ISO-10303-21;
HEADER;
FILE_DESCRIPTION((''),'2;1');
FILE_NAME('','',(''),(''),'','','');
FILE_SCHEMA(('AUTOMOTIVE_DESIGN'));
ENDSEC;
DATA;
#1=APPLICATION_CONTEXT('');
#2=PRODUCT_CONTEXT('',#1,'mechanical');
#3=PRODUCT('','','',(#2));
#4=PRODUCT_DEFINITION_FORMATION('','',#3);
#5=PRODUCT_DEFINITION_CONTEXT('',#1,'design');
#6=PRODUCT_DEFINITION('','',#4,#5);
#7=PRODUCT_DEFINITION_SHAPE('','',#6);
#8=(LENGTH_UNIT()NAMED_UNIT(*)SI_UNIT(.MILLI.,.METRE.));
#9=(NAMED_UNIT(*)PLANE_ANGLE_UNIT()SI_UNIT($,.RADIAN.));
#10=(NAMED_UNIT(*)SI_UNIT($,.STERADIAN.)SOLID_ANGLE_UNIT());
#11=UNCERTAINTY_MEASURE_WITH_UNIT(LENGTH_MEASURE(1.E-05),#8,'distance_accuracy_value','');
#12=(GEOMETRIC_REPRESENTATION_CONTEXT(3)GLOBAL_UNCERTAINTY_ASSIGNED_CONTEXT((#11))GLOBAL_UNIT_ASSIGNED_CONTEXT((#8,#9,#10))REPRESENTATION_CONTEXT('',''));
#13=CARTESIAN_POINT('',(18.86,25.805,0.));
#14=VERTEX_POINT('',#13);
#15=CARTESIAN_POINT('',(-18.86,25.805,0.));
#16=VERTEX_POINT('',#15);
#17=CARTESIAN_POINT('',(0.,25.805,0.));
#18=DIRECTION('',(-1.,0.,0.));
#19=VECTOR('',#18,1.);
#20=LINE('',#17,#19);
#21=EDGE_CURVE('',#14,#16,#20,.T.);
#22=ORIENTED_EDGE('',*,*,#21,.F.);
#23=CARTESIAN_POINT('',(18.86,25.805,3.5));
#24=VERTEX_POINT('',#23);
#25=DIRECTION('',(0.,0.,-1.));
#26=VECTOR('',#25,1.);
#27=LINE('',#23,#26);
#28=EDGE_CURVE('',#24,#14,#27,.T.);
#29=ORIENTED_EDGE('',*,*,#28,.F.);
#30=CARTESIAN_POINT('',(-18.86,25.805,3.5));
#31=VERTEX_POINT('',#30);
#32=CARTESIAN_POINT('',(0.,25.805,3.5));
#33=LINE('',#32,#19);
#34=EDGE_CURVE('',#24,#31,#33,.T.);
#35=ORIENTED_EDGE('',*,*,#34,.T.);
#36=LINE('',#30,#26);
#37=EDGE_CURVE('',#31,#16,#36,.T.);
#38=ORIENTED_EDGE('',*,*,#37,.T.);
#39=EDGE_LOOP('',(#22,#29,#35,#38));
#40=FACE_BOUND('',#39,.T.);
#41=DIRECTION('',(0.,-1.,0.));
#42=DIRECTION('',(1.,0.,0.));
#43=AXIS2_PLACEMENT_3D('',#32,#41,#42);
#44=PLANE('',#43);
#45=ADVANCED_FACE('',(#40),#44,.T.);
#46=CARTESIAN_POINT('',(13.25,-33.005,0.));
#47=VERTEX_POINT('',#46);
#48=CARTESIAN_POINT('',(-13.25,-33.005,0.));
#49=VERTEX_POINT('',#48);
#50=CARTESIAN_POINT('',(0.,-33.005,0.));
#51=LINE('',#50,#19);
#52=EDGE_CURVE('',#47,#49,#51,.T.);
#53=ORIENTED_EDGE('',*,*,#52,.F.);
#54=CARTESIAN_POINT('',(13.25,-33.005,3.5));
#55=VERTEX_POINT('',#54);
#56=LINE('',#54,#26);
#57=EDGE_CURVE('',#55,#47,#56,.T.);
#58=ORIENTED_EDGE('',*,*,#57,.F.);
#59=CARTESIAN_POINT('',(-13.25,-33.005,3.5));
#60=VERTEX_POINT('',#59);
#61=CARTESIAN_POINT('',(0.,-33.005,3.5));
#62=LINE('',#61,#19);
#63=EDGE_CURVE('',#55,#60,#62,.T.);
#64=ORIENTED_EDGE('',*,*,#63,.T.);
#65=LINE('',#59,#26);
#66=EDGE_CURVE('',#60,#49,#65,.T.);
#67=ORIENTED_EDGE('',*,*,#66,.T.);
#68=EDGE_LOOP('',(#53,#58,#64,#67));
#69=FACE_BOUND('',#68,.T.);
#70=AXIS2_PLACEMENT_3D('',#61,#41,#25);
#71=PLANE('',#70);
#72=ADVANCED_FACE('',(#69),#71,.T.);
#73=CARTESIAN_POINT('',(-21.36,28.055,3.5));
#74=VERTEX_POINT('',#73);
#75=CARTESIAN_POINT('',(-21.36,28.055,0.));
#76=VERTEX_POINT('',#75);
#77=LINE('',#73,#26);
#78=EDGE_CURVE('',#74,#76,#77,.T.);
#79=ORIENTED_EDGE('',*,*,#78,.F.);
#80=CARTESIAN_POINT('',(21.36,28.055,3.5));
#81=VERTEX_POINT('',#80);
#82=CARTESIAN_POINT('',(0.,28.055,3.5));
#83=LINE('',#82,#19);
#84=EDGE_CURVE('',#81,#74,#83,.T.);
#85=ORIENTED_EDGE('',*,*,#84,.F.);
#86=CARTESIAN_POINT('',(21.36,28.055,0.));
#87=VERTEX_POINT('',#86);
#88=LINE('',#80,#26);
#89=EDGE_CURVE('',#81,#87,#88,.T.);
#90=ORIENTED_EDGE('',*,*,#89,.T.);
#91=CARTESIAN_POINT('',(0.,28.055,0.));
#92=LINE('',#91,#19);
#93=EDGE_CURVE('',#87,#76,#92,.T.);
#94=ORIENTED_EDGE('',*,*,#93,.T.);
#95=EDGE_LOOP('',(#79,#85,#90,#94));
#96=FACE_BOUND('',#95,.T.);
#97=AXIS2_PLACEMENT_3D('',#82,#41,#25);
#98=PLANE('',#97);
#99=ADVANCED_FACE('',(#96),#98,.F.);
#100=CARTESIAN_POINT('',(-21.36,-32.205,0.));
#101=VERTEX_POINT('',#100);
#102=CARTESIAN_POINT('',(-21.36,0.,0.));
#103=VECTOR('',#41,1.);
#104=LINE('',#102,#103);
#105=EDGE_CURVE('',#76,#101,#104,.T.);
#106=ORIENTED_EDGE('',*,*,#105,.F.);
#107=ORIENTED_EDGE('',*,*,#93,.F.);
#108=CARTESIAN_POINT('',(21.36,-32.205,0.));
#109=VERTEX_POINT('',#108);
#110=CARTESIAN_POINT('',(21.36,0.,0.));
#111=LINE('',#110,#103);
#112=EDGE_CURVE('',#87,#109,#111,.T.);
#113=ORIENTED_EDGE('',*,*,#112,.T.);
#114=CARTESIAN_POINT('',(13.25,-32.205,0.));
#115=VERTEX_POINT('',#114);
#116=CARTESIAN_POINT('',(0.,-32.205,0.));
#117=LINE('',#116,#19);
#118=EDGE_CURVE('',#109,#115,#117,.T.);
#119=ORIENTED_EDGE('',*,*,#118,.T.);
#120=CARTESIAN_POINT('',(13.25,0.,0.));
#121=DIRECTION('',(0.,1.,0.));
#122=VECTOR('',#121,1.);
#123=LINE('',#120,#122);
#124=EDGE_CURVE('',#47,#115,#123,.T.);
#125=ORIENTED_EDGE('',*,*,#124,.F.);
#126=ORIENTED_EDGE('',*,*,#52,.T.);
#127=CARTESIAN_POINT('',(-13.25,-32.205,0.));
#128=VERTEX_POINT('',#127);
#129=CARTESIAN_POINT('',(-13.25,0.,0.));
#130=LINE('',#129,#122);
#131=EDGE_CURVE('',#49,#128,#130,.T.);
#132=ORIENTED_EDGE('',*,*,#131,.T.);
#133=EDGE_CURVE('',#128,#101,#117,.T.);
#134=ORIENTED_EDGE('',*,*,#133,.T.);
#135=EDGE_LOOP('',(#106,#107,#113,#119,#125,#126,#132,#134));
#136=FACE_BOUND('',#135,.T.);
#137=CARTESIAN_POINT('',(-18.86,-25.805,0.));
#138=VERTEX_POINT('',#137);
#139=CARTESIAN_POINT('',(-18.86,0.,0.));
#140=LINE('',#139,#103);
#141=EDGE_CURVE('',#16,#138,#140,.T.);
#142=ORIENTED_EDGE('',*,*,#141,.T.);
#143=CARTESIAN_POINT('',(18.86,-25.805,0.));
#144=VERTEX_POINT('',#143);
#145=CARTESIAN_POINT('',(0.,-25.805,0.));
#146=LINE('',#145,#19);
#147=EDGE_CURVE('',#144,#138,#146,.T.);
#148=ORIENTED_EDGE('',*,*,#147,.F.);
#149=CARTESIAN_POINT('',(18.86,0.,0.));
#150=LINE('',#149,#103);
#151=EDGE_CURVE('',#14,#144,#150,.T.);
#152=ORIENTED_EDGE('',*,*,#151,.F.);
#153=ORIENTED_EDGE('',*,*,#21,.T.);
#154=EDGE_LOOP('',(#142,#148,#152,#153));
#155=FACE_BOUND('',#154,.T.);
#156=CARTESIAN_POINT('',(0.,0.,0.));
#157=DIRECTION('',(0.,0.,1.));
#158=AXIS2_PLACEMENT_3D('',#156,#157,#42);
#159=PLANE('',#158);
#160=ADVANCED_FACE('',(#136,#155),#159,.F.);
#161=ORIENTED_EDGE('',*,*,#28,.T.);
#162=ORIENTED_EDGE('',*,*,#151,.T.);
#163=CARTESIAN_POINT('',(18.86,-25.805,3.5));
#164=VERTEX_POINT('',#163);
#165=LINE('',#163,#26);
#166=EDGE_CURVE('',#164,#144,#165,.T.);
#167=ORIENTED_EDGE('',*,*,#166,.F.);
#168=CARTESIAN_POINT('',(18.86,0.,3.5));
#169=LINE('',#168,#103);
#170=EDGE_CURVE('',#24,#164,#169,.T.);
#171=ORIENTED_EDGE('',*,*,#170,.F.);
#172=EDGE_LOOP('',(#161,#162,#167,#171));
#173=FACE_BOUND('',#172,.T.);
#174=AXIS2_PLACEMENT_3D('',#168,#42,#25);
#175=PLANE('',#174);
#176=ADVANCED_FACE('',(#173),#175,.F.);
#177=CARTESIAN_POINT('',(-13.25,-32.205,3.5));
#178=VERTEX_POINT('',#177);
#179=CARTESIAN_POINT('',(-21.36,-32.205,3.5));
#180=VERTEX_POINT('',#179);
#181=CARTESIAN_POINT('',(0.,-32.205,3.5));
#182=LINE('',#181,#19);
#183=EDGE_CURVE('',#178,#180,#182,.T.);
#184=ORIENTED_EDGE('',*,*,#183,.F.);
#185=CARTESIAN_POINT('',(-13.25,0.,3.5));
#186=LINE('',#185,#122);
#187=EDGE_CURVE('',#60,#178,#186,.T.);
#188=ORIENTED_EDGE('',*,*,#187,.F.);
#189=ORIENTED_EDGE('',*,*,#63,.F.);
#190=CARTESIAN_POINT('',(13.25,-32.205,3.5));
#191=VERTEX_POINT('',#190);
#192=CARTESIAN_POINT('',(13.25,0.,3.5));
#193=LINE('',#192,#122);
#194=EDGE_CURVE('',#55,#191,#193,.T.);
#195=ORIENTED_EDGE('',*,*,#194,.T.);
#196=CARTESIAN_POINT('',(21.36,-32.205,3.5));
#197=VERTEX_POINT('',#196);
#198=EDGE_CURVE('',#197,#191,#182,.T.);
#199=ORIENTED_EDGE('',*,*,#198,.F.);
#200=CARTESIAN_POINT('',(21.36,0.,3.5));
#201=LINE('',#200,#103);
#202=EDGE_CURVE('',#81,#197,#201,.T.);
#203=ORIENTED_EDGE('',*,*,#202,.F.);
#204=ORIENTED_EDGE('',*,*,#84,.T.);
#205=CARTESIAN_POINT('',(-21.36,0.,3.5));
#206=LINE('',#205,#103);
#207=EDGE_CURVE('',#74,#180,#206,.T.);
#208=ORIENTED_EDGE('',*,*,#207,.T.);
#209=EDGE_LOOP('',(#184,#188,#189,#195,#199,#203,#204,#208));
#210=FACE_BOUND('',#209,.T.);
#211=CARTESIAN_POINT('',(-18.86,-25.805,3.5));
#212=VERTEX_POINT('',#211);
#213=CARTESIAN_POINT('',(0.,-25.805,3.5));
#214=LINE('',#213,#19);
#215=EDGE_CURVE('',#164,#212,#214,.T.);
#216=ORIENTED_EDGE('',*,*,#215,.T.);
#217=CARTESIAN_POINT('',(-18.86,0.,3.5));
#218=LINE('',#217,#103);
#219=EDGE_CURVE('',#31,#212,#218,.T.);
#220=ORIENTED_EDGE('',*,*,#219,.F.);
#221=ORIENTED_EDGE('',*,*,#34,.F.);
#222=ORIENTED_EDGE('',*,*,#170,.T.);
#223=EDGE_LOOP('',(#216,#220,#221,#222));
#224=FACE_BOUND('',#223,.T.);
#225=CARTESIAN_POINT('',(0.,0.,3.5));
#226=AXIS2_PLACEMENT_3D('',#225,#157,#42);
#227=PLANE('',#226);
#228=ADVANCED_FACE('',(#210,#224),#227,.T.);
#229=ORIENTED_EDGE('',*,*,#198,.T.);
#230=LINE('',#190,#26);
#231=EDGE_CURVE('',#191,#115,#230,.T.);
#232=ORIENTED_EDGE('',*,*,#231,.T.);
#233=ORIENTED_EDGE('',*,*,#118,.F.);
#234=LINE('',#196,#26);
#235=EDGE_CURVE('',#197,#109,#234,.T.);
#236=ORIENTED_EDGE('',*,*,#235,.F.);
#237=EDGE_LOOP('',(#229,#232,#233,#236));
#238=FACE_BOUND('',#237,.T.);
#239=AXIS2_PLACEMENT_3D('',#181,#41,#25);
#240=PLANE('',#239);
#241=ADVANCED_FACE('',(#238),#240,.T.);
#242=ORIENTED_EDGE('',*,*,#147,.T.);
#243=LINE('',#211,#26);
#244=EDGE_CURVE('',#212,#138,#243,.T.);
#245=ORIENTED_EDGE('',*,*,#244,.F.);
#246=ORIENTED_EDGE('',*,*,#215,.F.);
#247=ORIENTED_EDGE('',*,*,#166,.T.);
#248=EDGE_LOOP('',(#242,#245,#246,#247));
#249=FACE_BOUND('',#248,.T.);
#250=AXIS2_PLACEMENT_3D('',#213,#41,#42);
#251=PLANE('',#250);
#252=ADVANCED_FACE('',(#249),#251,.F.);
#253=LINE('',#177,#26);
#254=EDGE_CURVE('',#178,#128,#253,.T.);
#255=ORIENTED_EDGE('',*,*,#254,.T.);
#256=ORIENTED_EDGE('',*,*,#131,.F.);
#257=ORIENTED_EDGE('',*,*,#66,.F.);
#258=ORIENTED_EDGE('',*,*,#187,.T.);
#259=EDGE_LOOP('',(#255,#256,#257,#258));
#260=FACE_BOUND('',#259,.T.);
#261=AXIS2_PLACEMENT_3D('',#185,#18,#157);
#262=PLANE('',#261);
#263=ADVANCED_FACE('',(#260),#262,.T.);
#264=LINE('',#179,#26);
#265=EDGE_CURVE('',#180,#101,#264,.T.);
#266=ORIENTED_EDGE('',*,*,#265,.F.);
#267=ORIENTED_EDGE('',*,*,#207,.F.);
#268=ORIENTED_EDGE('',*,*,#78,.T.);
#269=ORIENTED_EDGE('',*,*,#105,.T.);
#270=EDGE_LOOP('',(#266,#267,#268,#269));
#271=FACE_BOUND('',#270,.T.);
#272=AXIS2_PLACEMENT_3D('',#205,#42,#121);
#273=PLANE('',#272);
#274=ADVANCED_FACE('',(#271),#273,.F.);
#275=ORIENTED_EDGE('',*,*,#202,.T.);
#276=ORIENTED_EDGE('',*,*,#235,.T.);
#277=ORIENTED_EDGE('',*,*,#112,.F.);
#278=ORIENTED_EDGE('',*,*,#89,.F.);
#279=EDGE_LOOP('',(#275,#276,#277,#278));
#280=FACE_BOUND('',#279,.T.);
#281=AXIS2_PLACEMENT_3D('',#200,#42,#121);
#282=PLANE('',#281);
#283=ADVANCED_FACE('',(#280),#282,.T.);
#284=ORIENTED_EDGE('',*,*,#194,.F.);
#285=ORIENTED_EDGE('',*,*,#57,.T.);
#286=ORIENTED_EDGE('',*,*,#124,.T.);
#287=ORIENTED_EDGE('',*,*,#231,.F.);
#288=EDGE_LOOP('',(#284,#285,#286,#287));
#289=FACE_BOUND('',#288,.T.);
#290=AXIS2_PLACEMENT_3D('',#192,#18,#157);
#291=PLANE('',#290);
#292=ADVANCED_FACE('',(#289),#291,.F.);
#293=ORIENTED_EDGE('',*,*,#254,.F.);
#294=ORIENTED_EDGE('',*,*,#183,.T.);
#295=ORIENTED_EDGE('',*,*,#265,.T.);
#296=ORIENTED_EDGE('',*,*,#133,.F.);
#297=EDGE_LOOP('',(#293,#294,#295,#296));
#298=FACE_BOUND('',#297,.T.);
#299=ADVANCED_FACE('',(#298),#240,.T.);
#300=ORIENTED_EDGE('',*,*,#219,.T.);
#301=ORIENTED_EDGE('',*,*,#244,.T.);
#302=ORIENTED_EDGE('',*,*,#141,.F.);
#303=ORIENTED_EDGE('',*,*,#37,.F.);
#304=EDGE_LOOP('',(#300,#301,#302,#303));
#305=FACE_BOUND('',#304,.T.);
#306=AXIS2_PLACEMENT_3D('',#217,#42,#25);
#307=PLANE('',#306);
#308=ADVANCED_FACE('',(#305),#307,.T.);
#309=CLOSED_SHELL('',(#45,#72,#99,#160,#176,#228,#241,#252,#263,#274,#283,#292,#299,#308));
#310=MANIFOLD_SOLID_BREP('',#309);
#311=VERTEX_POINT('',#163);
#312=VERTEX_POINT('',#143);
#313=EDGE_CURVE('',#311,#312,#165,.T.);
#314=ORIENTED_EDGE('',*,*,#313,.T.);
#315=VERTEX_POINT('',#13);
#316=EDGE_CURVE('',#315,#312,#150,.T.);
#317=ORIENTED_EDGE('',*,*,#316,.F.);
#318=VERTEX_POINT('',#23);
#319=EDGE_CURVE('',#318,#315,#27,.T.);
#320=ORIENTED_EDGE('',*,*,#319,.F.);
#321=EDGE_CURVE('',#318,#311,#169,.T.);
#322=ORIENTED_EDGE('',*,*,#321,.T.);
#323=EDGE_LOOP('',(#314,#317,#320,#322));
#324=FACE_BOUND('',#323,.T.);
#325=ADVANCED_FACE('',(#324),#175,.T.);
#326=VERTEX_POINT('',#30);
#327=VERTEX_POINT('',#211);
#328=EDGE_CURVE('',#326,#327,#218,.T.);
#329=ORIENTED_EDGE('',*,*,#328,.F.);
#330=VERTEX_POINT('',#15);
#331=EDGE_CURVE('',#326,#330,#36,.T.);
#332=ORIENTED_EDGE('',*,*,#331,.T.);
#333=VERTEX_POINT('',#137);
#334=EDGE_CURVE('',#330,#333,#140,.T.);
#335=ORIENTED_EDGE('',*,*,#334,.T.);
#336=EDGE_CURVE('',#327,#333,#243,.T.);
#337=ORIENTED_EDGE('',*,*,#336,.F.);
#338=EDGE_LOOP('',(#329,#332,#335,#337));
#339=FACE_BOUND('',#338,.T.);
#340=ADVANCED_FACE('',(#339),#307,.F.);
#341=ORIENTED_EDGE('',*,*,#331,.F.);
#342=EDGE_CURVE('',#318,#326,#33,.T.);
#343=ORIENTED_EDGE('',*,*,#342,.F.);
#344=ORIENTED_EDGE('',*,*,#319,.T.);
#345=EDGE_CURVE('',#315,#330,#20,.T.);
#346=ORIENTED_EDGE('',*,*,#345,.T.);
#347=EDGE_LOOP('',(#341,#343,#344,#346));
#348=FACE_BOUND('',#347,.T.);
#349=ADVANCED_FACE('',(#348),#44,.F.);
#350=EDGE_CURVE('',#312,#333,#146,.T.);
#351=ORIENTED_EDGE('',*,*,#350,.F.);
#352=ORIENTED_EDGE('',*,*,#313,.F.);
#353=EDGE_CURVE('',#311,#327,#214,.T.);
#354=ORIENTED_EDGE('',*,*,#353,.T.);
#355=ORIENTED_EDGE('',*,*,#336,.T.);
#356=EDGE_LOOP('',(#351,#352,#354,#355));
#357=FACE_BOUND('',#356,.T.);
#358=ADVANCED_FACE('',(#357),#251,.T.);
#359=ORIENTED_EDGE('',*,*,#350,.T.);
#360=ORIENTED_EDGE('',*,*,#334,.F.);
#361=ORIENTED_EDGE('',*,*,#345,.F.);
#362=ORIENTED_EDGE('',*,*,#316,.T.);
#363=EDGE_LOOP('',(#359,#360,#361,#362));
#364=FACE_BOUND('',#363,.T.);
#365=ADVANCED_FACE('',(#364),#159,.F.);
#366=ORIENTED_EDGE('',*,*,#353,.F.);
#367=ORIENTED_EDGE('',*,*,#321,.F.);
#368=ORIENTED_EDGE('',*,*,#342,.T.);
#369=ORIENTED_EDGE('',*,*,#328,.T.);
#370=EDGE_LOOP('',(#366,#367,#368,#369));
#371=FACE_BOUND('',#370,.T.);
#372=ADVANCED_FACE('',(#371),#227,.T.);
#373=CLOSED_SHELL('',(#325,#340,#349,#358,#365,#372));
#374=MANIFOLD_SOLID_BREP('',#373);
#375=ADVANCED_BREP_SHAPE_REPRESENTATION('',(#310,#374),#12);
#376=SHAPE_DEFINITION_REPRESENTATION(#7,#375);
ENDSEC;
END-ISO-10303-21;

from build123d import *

# Parameters (mm, degrees)
SKETCH1_W           = 42.72
SKETCH1_H           = 60.26
SKETCH1_W_2         = 37.72
SKETCH1_H_2         = 51.61
SKETCH1_W_3         = 26.5
SKETCH1_H_3         = 0.8
BOSS_EXTRUDE1_DEPTH = 3.5
SKETCH1_3_W         = 37.72
SKETCH1_3_H         = 51.61
BOSS_EXTRUDE2_DEPTH = 3.5


with BuildPart() as part:
    # Sketch1 → Boss-Extrude1 (new body)
    with BuildSketch(Plane.XY):
        with Locations((0, -2.075)):
            Rectangle(SKETCH1_W, SKETCH1_H)
        Rectangle(SKETCH1_W_2, SKETCH1_H_2, mode=Mode.SUBTRACT)
        with Locations((0, -32.605)):
            Rectangle(SKETCH1_W_3, SKETCH1_H_3)
    extrude(amount=BOSS_EXTRUDE1_DEPTH)


with BuildPart() as body_2:
    # Sketch1<3> → Boss-Extrude2 (new body)
    with BuildSketch(Plane.XY):
        Rectangle(SKETCH1_3_W, SKETCH1_3_H)
    extrude(amount=BOSS_EXTRUDE2_DEPTH)


solid = Compound([part.part, body_2.part])
